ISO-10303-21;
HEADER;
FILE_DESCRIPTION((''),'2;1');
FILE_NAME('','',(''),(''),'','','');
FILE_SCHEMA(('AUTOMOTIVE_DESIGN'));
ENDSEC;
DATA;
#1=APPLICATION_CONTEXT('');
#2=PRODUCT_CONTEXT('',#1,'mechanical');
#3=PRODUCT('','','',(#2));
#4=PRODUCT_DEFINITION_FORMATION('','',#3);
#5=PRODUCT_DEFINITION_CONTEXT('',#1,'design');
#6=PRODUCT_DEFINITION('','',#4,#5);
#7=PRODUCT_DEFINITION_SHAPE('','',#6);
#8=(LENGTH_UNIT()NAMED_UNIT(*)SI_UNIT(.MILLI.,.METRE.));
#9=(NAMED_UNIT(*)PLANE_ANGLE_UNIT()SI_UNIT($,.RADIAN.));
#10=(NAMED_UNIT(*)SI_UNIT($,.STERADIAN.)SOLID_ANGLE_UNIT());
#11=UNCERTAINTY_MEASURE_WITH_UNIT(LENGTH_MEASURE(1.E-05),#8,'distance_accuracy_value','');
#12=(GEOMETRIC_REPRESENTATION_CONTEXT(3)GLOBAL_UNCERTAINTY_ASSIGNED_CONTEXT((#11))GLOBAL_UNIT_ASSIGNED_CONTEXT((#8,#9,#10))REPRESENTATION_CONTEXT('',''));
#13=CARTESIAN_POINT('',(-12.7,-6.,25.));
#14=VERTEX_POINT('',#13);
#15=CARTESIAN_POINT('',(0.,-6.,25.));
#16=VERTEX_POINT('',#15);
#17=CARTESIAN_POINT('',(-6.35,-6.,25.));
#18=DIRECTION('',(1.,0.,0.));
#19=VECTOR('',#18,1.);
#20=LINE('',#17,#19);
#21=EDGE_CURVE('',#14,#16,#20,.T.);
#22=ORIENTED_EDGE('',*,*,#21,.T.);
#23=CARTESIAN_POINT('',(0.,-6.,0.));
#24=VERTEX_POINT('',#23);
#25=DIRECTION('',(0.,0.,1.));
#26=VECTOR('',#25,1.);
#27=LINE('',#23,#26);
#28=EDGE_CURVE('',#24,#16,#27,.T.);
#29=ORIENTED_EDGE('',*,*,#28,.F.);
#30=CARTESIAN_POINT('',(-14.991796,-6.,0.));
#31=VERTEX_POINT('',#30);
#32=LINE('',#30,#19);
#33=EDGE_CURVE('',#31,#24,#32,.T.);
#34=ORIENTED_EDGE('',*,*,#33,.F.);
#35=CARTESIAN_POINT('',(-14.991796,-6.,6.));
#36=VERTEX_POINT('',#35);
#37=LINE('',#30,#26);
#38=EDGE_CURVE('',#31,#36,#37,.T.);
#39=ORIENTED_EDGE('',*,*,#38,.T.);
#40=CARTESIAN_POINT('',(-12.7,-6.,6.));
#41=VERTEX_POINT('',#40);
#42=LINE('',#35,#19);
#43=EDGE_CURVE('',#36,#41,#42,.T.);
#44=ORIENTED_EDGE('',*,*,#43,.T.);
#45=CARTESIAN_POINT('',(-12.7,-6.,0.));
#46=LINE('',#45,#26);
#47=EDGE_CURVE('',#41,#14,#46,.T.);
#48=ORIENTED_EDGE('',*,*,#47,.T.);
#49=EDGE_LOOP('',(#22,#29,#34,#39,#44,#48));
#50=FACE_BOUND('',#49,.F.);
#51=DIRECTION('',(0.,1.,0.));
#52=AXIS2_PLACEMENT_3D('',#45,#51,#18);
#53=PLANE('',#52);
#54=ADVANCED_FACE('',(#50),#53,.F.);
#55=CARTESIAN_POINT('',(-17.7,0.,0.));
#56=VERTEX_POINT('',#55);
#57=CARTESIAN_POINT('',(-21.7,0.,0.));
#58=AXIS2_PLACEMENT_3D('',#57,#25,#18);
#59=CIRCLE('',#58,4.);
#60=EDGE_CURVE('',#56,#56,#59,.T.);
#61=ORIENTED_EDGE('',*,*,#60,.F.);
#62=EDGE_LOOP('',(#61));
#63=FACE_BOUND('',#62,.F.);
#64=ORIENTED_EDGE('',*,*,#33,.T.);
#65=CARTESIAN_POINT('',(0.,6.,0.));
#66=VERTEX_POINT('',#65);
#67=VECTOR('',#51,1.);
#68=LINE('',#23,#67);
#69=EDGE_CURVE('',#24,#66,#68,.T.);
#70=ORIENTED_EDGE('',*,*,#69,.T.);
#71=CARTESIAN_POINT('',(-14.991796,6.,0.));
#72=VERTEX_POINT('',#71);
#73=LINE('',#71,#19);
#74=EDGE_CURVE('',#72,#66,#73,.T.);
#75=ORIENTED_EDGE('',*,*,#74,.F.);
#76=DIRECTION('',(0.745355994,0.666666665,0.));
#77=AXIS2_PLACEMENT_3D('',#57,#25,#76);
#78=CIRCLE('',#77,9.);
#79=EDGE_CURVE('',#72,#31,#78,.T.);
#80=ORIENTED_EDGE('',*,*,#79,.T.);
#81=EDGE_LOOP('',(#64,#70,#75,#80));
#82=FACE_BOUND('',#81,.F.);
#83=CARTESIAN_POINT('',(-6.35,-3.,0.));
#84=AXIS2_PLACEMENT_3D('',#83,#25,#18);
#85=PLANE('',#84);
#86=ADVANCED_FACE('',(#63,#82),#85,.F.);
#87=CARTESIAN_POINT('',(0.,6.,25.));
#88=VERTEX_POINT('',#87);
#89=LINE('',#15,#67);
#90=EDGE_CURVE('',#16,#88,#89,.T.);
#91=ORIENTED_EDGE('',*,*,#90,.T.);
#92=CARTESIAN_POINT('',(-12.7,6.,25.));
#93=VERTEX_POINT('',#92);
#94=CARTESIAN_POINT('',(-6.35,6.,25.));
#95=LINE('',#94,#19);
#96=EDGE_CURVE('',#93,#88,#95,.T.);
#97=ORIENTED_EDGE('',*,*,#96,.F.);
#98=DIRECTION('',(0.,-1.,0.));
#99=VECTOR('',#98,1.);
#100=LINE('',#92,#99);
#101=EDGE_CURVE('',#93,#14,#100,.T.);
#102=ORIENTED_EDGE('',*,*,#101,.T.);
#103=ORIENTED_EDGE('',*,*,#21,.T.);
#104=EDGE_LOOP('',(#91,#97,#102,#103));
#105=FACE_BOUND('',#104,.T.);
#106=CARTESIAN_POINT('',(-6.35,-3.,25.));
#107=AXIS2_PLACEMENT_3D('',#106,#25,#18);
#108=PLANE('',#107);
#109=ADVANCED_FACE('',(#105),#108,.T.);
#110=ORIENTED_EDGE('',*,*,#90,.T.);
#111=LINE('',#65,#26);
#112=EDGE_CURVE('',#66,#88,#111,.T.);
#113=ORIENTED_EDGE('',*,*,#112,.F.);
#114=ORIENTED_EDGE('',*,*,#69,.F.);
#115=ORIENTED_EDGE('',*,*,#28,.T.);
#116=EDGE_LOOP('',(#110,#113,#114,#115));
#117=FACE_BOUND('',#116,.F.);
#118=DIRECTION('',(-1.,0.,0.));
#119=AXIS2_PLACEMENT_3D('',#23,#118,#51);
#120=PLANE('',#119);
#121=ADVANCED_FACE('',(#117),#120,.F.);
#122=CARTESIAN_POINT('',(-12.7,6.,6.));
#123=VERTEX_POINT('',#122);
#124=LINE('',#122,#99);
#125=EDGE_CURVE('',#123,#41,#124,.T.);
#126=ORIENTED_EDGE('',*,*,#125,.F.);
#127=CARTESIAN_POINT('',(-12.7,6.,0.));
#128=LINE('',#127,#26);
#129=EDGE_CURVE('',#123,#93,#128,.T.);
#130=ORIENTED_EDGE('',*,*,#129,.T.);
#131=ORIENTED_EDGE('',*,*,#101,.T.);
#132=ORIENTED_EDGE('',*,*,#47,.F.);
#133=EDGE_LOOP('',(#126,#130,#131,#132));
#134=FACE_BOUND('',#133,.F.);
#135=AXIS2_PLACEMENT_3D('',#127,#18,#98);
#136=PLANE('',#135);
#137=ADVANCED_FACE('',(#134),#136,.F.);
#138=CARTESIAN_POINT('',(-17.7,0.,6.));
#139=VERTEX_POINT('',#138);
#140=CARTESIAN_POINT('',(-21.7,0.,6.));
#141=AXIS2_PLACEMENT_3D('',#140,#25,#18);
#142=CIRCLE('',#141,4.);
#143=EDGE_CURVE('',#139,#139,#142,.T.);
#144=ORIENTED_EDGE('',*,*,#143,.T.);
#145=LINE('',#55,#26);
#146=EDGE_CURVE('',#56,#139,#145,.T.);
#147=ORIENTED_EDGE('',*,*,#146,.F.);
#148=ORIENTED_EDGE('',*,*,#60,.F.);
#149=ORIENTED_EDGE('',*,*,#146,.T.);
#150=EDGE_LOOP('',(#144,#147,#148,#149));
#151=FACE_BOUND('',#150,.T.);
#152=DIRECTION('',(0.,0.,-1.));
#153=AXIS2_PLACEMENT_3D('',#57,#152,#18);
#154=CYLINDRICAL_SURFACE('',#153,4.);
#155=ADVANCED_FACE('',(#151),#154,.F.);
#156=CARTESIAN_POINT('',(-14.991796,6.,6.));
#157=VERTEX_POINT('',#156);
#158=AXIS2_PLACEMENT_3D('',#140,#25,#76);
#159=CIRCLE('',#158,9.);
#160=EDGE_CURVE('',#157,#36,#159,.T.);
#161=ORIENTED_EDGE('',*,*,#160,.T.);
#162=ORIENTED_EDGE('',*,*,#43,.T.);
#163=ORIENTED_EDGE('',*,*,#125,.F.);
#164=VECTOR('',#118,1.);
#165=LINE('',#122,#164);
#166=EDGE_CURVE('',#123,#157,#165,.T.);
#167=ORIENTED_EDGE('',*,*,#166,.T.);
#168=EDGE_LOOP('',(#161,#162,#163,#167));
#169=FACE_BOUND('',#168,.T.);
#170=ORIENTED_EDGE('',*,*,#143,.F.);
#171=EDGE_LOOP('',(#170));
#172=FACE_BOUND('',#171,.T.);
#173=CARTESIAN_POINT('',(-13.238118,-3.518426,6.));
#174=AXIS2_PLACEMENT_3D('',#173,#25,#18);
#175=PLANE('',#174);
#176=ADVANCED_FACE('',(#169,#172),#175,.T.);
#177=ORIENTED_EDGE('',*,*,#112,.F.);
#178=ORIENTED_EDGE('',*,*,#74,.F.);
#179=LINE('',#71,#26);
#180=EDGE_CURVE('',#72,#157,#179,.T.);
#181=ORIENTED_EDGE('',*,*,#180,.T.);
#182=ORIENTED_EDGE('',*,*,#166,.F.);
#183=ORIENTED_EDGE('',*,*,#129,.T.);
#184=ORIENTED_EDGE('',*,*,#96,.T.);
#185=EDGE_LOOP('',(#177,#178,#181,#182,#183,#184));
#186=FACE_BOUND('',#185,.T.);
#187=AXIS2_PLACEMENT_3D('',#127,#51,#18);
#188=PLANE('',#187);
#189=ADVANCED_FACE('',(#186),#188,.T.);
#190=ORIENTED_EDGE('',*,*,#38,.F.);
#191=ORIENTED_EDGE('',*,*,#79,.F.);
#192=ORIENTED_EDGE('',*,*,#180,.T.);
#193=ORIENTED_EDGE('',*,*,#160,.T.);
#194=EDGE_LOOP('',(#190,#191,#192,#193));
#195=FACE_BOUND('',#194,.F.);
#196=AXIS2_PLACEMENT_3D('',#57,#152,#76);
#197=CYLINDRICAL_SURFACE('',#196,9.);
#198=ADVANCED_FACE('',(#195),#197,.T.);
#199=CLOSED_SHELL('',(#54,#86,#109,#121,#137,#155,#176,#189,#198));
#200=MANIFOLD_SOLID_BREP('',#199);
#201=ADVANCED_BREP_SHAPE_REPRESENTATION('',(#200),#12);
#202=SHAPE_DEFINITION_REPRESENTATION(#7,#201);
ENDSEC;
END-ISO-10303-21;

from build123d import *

# Parameters (mm, degrees)
F0_R     = 4
F1_DEPTH = 6
F2_DEPTH = 6
F0_W     = 12.7
F0_H     = 6
F3_DEPTH = 25


with BuildPart() as f1:
    # F0 (on Top) → F1 (new body)
    with BuildSketch(Plane.XY):
        with BuildLine():
            ThreePointArc((-14.991796, -6), (-13.292449, -3.211399), (-12.7, 0))
            ThreePointArc((-12.7, 0), (-13.292449, 3.211399), (-14.991796, 6))
            ThreePointArc((-14.991796, 6), (-30.7, 0), (-14.991796, -6))
        make_face()
        with Locations((-21.7, 0)):
            Circle(F0_R, mode=Mode.SUBTRACT)
    extrude(amount=F1_DEPTH)

    # F0 (on Top) → F2 (join)
    with BuildSketch(Plane.XY):
        with BuildLine():
            Line((-12.7, -6), (-12.7, 0))
            ThreePointArc((-12.7, 0), (-13.292449, -3.211399), (-14.991796, -6))
            Line((-14.991796, -6), (-12.7, -6))
        make_face()
        with BuildLine():
            ThreePointArc((-14.991796, 6), (-13.292449, 3.211399), (-12.7, 0))
            Line((-12.7, 0), (-12.7, 6))
            Line((-12.7, 6), (-14.991796, 6))
        make_face()
    extrude(amount=F2_DEPTH)

    # F0 (on Top) → F3 (join)
    with BuildSketch(Plane.XY):
        with Locations((-6.35, -3)):
            Rectangle(F0_W, F0_H)
        with Locations((-6.35, 3)):
            Rectangle(F0_W, F0_H)
    extrude(amount=F3_DEPTH)


solid = f1.part
